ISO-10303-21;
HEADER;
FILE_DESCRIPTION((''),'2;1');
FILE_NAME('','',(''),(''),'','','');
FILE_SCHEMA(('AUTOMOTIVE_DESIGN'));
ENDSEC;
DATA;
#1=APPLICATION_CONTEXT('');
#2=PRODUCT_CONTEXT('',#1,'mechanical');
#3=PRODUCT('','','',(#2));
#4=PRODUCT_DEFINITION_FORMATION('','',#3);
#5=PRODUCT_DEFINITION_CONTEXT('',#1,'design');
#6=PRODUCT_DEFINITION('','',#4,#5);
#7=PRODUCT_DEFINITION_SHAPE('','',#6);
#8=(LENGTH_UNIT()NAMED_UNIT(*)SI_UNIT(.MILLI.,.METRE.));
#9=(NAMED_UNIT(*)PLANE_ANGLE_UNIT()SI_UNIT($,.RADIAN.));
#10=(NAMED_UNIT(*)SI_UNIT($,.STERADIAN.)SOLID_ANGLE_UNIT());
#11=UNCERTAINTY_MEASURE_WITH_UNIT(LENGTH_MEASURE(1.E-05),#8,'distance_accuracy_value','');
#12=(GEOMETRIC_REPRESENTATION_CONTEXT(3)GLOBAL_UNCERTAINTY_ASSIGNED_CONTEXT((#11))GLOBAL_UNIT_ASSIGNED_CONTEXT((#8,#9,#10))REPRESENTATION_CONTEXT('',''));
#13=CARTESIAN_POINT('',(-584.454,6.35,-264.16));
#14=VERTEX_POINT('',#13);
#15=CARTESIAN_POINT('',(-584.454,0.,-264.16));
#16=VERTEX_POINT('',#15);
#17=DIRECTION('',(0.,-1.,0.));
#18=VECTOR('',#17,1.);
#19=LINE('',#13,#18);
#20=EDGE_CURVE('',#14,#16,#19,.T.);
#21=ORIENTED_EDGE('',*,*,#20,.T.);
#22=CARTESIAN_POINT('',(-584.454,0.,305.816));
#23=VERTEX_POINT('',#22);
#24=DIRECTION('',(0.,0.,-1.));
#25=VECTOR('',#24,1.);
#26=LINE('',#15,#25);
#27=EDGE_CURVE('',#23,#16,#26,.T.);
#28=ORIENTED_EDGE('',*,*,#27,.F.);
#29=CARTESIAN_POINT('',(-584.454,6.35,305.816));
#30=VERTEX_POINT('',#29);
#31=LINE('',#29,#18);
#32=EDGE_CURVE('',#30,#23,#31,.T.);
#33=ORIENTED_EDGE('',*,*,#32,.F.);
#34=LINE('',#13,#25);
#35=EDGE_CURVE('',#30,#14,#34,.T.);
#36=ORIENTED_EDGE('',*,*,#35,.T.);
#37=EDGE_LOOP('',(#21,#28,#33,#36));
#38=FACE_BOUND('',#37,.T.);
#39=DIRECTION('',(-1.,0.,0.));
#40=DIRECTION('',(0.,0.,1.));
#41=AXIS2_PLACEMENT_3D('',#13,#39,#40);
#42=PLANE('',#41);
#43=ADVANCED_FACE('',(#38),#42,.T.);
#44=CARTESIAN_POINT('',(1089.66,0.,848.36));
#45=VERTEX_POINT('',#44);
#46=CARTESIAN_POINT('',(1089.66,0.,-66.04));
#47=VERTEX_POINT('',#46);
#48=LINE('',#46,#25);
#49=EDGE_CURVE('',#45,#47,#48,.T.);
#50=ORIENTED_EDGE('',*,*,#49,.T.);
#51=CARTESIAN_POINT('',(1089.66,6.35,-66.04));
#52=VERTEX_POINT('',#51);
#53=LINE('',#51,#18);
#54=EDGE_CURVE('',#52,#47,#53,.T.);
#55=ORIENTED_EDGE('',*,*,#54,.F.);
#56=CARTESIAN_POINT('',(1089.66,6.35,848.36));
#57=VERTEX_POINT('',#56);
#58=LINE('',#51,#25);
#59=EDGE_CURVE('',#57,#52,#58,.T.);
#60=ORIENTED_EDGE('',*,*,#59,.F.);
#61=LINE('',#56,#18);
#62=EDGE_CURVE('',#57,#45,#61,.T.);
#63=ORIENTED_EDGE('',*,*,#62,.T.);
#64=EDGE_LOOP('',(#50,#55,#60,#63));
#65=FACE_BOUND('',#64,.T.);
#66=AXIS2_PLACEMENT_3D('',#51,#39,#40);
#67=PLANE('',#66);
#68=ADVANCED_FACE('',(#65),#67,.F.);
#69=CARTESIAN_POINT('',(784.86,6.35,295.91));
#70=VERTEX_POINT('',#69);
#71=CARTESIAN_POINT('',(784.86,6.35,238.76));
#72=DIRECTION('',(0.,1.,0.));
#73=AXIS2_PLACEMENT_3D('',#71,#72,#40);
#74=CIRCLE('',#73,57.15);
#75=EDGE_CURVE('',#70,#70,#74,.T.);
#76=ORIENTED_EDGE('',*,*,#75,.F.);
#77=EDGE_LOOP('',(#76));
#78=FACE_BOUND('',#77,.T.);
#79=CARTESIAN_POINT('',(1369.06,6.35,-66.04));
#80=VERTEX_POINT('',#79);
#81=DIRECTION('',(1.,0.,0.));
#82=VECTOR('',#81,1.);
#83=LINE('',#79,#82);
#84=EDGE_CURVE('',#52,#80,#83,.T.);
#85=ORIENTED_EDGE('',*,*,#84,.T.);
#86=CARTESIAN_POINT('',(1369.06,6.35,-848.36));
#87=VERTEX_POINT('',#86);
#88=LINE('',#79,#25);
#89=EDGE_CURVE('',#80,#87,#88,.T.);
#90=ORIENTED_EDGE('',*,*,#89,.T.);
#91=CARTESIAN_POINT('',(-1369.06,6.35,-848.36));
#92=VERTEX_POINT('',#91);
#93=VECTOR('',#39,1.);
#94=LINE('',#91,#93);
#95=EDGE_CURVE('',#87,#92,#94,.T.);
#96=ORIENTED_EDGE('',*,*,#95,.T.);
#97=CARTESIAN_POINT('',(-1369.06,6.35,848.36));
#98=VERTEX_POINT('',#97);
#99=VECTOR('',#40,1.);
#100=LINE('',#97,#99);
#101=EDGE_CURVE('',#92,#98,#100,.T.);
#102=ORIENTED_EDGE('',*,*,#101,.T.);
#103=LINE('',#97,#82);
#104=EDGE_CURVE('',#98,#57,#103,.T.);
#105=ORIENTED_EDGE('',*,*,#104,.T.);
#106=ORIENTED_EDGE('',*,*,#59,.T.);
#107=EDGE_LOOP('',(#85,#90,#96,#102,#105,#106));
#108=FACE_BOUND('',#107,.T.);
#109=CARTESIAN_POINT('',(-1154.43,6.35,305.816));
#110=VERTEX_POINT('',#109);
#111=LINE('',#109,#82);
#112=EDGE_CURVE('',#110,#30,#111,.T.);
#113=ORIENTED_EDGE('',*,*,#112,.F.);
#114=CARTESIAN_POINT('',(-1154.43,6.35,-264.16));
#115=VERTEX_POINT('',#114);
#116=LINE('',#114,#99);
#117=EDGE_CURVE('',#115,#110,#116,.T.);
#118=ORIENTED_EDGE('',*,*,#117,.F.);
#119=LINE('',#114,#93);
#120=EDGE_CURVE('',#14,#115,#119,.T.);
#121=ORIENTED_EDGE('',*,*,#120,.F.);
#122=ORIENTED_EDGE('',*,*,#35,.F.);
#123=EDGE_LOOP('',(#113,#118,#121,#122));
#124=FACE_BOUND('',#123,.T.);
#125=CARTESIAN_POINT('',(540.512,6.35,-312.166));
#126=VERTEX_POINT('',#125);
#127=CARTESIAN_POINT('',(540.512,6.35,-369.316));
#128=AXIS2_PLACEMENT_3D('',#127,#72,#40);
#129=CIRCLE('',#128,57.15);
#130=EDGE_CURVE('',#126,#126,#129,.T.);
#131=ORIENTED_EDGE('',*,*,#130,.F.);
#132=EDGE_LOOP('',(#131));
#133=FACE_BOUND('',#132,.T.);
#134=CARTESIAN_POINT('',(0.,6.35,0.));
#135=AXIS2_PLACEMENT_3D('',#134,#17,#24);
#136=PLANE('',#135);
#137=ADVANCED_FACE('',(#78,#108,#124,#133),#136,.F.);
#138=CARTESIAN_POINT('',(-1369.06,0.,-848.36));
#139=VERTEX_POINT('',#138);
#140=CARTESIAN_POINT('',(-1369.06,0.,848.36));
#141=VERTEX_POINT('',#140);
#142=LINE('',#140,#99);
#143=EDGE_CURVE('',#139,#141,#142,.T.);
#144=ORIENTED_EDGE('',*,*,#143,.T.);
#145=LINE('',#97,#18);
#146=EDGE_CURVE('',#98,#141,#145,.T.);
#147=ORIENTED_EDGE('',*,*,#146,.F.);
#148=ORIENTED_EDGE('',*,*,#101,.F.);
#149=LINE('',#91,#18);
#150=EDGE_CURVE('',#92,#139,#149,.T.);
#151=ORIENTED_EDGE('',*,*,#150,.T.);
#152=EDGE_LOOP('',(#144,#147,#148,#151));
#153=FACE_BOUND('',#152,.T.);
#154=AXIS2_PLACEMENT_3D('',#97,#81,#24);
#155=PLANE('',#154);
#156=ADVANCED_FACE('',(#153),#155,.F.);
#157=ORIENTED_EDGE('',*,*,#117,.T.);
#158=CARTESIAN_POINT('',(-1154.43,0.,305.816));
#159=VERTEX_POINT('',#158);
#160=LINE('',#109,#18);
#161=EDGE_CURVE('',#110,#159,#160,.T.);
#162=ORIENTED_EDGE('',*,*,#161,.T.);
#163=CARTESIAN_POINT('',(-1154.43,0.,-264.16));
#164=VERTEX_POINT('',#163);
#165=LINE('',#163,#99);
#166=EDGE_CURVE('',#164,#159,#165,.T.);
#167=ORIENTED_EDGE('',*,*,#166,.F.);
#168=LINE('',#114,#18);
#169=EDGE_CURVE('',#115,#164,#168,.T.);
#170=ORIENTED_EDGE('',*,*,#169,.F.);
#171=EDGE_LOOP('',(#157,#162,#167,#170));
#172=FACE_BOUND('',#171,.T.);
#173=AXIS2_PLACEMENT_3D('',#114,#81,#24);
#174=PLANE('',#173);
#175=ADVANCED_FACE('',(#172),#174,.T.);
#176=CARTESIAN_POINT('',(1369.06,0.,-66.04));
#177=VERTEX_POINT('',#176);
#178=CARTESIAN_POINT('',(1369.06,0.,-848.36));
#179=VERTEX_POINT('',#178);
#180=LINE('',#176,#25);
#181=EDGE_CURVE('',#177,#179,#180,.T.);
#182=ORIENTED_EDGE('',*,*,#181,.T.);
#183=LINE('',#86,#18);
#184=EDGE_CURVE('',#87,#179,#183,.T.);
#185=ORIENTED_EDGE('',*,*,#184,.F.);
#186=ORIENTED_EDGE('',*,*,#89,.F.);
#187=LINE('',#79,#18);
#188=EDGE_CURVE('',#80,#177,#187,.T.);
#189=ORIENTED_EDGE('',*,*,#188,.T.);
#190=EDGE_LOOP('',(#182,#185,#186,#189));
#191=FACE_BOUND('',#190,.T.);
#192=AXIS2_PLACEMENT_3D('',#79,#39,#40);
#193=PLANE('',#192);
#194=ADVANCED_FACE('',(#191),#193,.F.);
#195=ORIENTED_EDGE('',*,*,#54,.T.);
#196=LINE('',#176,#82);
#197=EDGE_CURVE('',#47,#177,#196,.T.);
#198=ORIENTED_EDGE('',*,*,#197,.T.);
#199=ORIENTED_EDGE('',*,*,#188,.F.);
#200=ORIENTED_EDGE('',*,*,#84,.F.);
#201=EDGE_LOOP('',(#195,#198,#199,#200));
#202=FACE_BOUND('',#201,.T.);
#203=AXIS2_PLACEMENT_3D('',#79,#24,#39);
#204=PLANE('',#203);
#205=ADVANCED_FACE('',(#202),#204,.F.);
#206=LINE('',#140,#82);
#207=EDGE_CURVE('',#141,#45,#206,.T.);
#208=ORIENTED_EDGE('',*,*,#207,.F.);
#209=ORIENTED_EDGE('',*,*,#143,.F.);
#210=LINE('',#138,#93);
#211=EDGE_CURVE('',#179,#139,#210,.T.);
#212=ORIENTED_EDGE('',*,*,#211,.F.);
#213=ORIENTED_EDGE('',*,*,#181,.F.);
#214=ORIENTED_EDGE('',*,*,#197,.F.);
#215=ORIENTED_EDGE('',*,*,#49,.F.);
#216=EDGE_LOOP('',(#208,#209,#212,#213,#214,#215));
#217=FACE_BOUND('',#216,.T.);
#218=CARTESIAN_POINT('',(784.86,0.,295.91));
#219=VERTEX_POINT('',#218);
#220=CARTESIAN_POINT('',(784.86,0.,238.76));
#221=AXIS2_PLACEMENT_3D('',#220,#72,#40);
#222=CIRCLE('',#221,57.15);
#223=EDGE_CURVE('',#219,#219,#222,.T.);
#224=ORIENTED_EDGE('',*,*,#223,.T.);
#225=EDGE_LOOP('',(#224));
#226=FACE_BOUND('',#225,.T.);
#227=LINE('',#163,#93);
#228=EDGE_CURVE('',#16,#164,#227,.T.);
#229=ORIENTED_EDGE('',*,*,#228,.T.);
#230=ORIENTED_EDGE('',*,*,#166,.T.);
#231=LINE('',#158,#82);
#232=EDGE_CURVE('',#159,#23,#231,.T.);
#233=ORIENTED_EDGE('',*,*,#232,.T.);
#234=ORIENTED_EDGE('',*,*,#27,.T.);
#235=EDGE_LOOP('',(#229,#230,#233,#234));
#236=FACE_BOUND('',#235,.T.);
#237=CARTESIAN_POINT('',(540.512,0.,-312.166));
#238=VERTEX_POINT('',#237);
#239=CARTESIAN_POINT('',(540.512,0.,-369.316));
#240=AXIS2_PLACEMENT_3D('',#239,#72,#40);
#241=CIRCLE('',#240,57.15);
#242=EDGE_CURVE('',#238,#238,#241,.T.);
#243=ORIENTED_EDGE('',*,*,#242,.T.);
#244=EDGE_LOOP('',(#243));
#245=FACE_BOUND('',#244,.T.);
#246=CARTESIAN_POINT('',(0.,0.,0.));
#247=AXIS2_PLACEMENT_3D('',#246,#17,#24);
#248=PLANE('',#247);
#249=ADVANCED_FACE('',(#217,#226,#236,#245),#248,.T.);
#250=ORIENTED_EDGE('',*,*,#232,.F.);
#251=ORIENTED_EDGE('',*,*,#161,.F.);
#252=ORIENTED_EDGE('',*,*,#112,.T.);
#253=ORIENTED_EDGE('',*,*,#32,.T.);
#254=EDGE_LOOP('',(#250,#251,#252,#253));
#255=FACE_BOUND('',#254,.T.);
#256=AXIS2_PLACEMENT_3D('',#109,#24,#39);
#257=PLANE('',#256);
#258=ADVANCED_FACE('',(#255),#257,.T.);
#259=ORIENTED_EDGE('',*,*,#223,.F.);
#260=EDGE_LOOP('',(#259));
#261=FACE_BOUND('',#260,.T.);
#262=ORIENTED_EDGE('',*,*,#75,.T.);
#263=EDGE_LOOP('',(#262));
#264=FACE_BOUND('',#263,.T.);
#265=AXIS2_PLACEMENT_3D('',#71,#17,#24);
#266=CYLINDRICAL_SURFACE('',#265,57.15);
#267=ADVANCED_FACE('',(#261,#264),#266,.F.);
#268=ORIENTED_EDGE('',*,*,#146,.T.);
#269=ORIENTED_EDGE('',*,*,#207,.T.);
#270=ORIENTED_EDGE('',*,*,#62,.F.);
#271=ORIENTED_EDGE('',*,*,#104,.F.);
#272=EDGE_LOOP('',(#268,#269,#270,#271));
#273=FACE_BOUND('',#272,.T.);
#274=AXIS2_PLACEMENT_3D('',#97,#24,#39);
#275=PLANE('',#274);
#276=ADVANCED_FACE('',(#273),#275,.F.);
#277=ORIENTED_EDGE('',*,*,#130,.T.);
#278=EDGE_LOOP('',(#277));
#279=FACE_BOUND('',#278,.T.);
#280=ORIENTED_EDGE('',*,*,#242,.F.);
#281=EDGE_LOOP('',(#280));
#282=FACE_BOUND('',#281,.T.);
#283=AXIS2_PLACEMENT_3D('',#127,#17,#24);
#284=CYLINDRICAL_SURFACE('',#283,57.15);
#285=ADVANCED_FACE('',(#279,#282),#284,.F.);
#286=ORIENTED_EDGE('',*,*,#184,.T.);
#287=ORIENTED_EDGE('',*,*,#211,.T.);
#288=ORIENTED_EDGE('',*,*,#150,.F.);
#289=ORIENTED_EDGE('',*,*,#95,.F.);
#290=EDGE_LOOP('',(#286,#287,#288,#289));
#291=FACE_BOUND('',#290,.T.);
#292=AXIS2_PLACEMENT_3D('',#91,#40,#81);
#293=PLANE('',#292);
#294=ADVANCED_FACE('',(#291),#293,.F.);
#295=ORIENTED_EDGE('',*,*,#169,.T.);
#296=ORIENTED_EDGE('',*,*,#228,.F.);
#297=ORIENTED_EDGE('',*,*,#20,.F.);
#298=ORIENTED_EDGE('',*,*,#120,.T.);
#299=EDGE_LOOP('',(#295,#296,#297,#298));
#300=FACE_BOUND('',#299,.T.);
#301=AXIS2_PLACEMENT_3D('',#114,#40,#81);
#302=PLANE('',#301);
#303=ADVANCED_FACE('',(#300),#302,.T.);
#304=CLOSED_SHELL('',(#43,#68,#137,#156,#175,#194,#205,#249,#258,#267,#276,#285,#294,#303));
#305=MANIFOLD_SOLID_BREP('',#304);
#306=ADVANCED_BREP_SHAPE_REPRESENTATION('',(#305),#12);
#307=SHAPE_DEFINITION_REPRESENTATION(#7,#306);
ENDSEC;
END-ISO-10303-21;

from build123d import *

# Parameters (mm, degrees)
SKETCH1_R           = 57.15
SKETCH1_W           = 569.976
SKETCH1_H           = 569.976
BOSS_EXTRUDE1_DEPTH = 6.35


with BuildPart() as part:
    # Sketch1 → Boss-Extrude1 (new body)
    with BuildSketch(Plane(origin=(0, 0, 0), x_dir=(1, 0, 0), z_dir=(0, 1, 0))):
        Polygon((1369.06, 66.04), (1089.66, 66.04), (1089.66, -848.36), (-1369.06, -848.36), (-1369.06, 848.36), (1369.06, 848.36), align=None)
        with Locations((540.512, 369.316)):
            Circle(SKETCH1_R, mode=Mode.SUBTRACT)
        with Locations((784.86, -238.76)):
            Circle(SKETCH1_R, mode=Mode.SUBTRACT)
        with Locations((-869.442, -20.828)):
            Rectangle(SKETCH1_W, SKETCH1_H, mode=Mode.SUBTRACT)
    extrude(amount=BOSS_EXTRUDE1_DEPTH)


solid = part.part
